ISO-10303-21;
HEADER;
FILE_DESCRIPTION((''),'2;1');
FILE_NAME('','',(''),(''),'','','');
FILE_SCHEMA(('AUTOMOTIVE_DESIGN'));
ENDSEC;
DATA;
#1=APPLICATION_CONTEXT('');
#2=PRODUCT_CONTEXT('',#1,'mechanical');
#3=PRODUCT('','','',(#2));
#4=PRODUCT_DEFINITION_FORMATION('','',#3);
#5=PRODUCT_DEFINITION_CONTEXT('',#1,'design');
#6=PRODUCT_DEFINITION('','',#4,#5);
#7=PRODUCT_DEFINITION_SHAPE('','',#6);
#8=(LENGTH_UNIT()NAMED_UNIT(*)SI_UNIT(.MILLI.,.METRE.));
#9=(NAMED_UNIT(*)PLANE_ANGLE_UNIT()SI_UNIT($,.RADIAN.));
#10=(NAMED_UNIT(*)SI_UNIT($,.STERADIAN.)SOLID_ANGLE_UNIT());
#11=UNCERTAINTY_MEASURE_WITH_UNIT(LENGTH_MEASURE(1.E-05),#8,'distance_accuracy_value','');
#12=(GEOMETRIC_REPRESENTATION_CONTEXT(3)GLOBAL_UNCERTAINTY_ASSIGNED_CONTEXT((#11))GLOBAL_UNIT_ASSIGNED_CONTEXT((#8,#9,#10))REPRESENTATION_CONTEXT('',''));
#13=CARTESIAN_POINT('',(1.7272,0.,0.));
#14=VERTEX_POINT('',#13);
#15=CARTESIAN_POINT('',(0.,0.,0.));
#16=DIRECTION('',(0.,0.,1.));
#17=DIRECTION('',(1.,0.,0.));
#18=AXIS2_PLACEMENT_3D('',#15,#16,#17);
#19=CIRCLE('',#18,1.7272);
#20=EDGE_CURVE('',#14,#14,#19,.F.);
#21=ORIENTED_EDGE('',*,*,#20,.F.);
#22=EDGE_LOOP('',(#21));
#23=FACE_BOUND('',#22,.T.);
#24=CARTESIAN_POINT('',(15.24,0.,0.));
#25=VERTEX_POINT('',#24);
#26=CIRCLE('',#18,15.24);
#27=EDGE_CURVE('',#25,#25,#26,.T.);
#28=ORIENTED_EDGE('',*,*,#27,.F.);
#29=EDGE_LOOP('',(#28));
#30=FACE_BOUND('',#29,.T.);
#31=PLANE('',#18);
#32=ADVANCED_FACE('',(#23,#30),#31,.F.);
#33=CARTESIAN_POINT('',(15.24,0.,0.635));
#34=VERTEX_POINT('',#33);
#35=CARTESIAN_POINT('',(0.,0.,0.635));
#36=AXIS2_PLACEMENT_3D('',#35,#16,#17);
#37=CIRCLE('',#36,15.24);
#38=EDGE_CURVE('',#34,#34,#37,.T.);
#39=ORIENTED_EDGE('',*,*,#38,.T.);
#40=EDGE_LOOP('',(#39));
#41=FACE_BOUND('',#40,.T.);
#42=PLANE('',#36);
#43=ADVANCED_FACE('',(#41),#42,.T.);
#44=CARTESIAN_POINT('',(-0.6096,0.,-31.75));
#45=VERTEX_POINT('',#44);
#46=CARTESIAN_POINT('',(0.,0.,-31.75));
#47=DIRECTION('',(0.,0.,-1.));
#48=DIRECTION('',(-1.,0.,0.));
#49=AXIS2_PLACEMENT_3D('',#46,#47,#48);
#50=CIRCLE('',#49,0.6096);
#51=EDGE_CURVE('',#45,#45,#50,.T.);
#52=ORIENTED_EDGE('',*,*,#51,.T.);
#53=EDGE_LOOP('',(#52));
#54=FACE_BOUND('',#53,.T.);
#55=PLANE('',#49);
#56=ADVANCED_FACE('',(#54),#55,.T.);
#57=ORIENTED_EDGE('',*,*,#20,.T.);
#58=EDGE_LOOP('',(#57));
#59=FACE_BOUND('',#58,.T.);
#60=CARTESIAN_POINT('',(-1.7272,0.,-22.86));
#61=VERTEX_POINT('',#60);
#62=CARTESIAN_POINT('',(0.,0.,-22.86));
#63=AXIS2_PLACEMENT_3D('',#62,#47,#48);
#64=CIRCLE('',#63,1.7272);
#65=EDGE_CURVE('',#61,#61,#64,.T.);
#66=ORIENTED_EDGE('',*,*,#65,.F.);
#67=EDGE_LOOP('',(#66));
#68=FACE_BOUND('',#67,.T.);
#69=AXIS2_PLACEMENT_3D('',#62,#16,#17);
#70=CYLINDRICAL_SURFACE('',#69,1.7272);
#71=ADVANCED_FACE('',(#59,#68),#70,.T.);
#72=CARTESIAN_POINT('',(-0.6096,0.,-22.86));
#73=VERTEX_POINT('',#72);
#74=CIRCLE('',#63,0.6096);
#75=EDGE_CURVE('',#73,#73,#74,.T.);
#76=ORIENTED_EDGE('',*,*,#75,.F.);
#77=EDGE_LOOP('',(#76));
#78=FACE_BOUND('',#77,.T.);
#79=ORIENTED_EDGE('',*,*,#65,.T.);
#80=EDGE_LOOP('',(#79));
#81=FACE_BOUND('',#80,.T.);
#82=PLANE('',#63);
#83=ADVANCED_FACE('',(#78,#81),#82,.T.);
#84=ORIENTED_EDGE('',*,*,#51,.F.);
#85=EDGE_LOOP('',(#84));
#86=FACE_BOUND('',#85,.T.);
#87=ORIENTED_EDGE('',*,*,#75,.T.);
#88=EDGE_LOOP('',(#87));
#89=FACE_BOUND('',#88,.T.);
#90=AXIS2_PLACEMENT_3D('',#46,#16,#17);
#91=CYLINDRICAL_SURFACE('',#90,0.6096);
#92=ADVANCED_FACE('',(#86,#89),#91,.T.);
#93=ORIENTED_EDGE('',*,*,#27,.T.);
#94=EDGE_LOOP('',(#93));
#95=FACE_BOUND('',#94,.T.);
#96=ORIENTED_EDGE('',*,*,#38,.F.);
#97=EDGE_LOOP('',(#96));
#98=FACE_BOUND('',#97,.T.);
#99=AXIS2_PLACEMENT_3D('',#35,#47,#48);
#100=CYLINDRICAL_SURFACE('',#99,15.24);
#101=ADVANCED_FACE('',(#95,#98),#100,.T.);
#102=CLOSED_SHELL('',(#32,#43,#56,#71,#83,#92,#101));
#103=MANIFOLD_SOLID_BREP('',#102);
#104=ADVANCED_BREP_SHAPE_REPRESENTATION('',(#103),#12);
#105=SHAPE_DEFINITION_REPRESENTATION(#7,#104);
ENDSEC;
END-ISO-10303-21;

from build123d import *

# Parameters (mm, degrees)
SKETCH1_R           = 15.24
BOSS_EXTRUDE1_DEPTH = 0.635
SKETCH2_R           = 1.7272
BOSS_EXTRUDE2_DEPTH = 22.86
SKETCH3_R           = 0.6096
BOSS_EXTRUDE3_DEPTH = 8.89


with BuildPart() as part:
    # Sketch1 → Boss-Extrude1 (new body)
    with BuildSketch(Plane.XY):
        Circle(SKETCH1_R)
    extrude(amount=BOSS_EXTRUDE1_DEPTH)

    # Sketch2 → Boss-Extrude2 (add)
    with BuildSketch(Plane(origin=(0, 0, 0), x_dir=(-1, 0, 0), z_dir=(0, 0, -1))):
        Circle(SKETCH2_R)
    extrude(amount=BOSS_EXTRUDE2_DEPTH)

    # Sketch3 → Boss-Extrude3 (add)
    with BuildSketch(Plane(origin=(0, 0, -22.86), x_dir=(-1, 0, 0), z_dir=(0, 0, -1))):
        Circle(SKETCH3_R)
    extrude(amount=BOSS_EXTRUDE3_DEPTH)


solid = part.part
